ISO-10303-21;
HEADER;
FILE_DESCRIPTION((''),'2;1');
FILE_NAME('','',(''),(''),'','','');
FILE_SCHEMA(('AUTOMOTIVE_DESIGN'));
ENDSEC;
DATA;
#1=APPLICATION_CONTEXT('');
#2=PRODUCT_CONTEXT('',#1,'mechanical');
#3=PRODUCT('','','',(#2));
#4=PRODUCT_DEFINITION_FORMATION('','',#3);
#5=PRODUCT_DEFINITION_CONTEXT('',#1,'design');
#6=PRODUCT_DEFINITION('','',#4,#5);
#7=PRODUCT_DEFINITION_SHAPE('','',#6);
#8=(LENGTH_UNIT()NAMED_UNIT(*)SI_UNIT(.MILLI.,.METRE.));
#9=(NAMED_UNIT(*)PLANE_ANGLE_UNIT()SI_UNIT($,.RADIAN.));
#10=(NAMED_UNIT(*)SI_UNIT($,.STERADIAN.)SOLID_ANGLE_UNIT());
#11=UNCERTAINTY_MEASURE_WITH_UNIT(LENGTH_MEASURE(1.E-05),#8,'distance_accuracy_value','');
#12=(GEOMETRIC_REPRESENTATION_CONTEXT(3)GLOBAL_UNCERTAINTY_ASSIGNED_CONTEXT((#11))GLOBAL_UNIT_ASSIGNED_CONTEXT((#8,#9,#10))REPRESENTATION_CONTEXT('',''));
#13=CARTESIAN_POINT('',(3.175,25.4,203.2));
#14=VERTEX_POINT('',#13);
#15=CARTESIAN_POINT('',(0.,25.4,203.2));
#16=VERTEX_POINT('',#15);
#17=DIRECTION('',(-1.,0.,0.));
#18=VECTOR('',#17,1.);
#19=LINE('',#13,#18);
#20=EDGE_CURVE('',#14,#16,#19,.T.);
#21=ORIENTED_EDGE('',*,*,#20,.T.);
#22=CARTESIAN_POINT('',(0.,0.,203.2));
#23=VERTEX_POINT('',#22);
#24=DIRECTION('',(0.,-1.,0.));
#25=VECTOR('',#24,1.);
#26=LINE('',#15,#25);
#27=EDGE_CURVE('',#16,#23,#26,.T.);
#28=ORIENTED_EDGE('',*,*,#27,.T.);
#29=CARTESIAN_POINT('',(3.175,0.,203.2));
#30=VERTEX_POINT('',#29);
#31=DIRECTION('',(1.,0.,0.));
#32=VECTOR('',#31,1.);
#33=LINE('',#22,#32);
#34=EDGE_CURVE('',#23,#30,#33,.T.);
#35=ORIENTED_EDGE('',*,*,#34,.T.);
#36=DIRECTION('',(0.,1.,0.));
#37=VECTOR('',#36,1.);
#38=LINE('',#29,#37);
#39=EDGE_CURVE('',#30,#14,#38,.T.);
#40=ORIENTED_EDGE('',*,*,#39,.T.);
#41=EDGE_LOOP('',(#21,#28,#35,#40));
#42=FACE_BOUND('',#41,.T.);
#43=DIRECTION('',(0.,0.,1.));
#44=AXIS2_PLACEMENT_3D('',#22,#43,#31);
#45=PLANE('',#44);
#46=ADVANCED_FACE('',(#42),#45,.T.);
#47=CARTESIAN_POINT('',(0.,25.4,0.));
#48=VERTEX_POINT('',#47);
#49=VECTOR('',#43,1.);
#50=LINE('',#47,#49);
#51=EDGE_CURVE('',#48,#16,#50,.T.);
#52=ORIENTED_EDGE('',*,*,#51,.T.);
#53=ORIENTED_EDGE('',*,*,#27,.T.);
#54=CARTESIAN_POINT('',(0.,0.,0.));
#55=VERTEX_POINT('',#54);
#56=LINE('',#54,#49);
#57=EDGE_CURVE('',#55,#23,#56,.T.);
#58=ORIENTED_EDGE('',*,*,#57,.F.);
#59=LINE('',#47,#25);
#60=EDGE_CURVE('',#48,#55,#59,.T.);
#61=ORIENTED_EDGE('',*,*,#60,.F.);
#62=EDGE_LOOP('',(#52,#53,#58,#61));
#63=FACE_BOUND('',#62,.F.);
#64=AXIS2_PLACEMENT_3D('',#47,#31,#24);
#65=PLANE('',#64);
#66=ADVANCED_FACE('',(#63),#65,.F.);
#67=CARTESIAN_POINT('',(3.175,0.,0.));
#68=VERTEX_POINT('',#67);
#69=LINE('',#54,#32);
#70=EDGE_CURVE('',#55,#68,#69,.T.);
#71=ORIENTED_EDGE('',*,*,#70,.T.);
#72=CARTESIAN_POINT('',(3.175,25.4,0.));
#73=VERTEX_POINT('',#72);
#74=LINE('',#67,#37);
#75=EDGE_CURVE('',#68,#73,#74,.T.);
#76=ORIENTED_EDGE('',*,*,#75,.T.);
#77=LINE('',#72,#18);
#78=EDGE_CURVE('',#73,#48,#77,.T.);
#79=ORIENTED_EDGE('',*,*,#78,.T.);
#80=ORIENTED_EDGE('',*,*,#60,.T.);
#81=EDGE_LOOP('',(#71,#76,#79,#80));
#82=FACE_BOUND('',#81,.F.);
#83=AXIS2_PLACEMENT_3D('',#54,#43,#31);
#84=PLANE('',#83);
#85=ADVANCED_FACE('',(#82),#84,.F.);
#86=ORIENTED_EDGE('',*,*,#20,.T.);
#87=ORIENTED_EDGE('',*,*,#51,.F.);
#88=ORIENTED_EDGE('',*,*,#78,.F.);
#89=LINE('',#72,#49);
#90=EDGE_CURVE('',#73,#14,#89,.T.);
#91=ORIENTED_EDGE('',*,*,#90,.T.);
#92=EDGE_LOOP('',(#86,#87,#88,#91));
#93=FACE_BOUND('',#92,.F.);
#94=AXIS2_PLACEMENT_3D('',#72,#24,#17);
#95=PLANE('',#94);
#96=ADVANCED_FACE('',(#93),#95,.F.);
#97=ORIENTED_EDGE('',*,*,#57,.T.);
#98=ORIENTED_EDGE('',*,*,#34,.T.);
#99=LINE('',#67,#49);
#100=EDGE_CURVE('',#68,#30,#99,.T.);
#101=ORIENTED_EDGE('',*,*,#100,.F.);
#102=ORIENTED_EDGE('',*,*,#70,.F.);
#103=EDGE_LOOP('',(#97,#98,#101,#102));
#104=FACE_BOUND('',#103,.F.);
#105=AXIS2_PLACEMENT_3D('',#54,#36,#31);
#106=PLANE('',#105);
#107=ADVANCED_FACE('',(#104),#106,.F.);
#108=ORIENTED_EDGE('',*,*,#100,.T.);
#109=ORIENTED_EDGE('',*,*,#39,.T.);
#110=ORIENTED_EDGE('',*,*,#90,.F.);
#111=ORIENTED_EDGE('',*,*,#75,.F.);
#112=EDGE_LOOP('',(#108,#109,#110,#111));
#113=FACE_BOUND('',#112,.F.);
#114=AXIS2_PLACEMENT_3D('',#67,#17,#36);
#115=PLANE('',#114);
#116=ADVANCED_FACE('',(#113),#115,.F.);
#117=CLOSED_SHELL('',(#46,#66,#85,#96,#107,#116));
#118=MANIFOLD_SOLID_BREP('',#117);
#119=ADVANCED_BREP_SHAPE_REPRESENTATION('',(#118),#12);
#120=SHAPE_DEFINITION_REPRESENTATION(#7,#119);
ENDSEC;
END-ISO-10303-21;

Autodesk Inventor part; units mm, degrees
ref_plane "YZ Plane" through (0, 0, 0) normal (1, 0, 0) x (0, 1, 0)
ref_plane "XZ Plane" through (0, 0, 0) normal (0, 1, 0) x (-1, 0, 0)
ref_plane "XY Plane" through (0, 0, 0) normal (0, 0, 1) x (1, 0, 0)
sketch "Sketch1" plane through (0, 0, 0) normal (0, 0, 1) x (1, 0, 0)
  line L0 (0, 0) -> (3.175, 0)
  line L1 (3.175, 0) -> (3.175, 25.4)
  line L2 (3.175, 25.4) -> (0, 25.4)
  line L3 (0, 25.4) -> (0, 0)
  dimension "d0" = 3.175
  dimension "d1" = 25.4
extrude "Extrusion1" add sketch "Sketch1" along normal blind 203.2
properties part number "CLB_091_ClimberSupportBar" material "Aluminum 6061"
